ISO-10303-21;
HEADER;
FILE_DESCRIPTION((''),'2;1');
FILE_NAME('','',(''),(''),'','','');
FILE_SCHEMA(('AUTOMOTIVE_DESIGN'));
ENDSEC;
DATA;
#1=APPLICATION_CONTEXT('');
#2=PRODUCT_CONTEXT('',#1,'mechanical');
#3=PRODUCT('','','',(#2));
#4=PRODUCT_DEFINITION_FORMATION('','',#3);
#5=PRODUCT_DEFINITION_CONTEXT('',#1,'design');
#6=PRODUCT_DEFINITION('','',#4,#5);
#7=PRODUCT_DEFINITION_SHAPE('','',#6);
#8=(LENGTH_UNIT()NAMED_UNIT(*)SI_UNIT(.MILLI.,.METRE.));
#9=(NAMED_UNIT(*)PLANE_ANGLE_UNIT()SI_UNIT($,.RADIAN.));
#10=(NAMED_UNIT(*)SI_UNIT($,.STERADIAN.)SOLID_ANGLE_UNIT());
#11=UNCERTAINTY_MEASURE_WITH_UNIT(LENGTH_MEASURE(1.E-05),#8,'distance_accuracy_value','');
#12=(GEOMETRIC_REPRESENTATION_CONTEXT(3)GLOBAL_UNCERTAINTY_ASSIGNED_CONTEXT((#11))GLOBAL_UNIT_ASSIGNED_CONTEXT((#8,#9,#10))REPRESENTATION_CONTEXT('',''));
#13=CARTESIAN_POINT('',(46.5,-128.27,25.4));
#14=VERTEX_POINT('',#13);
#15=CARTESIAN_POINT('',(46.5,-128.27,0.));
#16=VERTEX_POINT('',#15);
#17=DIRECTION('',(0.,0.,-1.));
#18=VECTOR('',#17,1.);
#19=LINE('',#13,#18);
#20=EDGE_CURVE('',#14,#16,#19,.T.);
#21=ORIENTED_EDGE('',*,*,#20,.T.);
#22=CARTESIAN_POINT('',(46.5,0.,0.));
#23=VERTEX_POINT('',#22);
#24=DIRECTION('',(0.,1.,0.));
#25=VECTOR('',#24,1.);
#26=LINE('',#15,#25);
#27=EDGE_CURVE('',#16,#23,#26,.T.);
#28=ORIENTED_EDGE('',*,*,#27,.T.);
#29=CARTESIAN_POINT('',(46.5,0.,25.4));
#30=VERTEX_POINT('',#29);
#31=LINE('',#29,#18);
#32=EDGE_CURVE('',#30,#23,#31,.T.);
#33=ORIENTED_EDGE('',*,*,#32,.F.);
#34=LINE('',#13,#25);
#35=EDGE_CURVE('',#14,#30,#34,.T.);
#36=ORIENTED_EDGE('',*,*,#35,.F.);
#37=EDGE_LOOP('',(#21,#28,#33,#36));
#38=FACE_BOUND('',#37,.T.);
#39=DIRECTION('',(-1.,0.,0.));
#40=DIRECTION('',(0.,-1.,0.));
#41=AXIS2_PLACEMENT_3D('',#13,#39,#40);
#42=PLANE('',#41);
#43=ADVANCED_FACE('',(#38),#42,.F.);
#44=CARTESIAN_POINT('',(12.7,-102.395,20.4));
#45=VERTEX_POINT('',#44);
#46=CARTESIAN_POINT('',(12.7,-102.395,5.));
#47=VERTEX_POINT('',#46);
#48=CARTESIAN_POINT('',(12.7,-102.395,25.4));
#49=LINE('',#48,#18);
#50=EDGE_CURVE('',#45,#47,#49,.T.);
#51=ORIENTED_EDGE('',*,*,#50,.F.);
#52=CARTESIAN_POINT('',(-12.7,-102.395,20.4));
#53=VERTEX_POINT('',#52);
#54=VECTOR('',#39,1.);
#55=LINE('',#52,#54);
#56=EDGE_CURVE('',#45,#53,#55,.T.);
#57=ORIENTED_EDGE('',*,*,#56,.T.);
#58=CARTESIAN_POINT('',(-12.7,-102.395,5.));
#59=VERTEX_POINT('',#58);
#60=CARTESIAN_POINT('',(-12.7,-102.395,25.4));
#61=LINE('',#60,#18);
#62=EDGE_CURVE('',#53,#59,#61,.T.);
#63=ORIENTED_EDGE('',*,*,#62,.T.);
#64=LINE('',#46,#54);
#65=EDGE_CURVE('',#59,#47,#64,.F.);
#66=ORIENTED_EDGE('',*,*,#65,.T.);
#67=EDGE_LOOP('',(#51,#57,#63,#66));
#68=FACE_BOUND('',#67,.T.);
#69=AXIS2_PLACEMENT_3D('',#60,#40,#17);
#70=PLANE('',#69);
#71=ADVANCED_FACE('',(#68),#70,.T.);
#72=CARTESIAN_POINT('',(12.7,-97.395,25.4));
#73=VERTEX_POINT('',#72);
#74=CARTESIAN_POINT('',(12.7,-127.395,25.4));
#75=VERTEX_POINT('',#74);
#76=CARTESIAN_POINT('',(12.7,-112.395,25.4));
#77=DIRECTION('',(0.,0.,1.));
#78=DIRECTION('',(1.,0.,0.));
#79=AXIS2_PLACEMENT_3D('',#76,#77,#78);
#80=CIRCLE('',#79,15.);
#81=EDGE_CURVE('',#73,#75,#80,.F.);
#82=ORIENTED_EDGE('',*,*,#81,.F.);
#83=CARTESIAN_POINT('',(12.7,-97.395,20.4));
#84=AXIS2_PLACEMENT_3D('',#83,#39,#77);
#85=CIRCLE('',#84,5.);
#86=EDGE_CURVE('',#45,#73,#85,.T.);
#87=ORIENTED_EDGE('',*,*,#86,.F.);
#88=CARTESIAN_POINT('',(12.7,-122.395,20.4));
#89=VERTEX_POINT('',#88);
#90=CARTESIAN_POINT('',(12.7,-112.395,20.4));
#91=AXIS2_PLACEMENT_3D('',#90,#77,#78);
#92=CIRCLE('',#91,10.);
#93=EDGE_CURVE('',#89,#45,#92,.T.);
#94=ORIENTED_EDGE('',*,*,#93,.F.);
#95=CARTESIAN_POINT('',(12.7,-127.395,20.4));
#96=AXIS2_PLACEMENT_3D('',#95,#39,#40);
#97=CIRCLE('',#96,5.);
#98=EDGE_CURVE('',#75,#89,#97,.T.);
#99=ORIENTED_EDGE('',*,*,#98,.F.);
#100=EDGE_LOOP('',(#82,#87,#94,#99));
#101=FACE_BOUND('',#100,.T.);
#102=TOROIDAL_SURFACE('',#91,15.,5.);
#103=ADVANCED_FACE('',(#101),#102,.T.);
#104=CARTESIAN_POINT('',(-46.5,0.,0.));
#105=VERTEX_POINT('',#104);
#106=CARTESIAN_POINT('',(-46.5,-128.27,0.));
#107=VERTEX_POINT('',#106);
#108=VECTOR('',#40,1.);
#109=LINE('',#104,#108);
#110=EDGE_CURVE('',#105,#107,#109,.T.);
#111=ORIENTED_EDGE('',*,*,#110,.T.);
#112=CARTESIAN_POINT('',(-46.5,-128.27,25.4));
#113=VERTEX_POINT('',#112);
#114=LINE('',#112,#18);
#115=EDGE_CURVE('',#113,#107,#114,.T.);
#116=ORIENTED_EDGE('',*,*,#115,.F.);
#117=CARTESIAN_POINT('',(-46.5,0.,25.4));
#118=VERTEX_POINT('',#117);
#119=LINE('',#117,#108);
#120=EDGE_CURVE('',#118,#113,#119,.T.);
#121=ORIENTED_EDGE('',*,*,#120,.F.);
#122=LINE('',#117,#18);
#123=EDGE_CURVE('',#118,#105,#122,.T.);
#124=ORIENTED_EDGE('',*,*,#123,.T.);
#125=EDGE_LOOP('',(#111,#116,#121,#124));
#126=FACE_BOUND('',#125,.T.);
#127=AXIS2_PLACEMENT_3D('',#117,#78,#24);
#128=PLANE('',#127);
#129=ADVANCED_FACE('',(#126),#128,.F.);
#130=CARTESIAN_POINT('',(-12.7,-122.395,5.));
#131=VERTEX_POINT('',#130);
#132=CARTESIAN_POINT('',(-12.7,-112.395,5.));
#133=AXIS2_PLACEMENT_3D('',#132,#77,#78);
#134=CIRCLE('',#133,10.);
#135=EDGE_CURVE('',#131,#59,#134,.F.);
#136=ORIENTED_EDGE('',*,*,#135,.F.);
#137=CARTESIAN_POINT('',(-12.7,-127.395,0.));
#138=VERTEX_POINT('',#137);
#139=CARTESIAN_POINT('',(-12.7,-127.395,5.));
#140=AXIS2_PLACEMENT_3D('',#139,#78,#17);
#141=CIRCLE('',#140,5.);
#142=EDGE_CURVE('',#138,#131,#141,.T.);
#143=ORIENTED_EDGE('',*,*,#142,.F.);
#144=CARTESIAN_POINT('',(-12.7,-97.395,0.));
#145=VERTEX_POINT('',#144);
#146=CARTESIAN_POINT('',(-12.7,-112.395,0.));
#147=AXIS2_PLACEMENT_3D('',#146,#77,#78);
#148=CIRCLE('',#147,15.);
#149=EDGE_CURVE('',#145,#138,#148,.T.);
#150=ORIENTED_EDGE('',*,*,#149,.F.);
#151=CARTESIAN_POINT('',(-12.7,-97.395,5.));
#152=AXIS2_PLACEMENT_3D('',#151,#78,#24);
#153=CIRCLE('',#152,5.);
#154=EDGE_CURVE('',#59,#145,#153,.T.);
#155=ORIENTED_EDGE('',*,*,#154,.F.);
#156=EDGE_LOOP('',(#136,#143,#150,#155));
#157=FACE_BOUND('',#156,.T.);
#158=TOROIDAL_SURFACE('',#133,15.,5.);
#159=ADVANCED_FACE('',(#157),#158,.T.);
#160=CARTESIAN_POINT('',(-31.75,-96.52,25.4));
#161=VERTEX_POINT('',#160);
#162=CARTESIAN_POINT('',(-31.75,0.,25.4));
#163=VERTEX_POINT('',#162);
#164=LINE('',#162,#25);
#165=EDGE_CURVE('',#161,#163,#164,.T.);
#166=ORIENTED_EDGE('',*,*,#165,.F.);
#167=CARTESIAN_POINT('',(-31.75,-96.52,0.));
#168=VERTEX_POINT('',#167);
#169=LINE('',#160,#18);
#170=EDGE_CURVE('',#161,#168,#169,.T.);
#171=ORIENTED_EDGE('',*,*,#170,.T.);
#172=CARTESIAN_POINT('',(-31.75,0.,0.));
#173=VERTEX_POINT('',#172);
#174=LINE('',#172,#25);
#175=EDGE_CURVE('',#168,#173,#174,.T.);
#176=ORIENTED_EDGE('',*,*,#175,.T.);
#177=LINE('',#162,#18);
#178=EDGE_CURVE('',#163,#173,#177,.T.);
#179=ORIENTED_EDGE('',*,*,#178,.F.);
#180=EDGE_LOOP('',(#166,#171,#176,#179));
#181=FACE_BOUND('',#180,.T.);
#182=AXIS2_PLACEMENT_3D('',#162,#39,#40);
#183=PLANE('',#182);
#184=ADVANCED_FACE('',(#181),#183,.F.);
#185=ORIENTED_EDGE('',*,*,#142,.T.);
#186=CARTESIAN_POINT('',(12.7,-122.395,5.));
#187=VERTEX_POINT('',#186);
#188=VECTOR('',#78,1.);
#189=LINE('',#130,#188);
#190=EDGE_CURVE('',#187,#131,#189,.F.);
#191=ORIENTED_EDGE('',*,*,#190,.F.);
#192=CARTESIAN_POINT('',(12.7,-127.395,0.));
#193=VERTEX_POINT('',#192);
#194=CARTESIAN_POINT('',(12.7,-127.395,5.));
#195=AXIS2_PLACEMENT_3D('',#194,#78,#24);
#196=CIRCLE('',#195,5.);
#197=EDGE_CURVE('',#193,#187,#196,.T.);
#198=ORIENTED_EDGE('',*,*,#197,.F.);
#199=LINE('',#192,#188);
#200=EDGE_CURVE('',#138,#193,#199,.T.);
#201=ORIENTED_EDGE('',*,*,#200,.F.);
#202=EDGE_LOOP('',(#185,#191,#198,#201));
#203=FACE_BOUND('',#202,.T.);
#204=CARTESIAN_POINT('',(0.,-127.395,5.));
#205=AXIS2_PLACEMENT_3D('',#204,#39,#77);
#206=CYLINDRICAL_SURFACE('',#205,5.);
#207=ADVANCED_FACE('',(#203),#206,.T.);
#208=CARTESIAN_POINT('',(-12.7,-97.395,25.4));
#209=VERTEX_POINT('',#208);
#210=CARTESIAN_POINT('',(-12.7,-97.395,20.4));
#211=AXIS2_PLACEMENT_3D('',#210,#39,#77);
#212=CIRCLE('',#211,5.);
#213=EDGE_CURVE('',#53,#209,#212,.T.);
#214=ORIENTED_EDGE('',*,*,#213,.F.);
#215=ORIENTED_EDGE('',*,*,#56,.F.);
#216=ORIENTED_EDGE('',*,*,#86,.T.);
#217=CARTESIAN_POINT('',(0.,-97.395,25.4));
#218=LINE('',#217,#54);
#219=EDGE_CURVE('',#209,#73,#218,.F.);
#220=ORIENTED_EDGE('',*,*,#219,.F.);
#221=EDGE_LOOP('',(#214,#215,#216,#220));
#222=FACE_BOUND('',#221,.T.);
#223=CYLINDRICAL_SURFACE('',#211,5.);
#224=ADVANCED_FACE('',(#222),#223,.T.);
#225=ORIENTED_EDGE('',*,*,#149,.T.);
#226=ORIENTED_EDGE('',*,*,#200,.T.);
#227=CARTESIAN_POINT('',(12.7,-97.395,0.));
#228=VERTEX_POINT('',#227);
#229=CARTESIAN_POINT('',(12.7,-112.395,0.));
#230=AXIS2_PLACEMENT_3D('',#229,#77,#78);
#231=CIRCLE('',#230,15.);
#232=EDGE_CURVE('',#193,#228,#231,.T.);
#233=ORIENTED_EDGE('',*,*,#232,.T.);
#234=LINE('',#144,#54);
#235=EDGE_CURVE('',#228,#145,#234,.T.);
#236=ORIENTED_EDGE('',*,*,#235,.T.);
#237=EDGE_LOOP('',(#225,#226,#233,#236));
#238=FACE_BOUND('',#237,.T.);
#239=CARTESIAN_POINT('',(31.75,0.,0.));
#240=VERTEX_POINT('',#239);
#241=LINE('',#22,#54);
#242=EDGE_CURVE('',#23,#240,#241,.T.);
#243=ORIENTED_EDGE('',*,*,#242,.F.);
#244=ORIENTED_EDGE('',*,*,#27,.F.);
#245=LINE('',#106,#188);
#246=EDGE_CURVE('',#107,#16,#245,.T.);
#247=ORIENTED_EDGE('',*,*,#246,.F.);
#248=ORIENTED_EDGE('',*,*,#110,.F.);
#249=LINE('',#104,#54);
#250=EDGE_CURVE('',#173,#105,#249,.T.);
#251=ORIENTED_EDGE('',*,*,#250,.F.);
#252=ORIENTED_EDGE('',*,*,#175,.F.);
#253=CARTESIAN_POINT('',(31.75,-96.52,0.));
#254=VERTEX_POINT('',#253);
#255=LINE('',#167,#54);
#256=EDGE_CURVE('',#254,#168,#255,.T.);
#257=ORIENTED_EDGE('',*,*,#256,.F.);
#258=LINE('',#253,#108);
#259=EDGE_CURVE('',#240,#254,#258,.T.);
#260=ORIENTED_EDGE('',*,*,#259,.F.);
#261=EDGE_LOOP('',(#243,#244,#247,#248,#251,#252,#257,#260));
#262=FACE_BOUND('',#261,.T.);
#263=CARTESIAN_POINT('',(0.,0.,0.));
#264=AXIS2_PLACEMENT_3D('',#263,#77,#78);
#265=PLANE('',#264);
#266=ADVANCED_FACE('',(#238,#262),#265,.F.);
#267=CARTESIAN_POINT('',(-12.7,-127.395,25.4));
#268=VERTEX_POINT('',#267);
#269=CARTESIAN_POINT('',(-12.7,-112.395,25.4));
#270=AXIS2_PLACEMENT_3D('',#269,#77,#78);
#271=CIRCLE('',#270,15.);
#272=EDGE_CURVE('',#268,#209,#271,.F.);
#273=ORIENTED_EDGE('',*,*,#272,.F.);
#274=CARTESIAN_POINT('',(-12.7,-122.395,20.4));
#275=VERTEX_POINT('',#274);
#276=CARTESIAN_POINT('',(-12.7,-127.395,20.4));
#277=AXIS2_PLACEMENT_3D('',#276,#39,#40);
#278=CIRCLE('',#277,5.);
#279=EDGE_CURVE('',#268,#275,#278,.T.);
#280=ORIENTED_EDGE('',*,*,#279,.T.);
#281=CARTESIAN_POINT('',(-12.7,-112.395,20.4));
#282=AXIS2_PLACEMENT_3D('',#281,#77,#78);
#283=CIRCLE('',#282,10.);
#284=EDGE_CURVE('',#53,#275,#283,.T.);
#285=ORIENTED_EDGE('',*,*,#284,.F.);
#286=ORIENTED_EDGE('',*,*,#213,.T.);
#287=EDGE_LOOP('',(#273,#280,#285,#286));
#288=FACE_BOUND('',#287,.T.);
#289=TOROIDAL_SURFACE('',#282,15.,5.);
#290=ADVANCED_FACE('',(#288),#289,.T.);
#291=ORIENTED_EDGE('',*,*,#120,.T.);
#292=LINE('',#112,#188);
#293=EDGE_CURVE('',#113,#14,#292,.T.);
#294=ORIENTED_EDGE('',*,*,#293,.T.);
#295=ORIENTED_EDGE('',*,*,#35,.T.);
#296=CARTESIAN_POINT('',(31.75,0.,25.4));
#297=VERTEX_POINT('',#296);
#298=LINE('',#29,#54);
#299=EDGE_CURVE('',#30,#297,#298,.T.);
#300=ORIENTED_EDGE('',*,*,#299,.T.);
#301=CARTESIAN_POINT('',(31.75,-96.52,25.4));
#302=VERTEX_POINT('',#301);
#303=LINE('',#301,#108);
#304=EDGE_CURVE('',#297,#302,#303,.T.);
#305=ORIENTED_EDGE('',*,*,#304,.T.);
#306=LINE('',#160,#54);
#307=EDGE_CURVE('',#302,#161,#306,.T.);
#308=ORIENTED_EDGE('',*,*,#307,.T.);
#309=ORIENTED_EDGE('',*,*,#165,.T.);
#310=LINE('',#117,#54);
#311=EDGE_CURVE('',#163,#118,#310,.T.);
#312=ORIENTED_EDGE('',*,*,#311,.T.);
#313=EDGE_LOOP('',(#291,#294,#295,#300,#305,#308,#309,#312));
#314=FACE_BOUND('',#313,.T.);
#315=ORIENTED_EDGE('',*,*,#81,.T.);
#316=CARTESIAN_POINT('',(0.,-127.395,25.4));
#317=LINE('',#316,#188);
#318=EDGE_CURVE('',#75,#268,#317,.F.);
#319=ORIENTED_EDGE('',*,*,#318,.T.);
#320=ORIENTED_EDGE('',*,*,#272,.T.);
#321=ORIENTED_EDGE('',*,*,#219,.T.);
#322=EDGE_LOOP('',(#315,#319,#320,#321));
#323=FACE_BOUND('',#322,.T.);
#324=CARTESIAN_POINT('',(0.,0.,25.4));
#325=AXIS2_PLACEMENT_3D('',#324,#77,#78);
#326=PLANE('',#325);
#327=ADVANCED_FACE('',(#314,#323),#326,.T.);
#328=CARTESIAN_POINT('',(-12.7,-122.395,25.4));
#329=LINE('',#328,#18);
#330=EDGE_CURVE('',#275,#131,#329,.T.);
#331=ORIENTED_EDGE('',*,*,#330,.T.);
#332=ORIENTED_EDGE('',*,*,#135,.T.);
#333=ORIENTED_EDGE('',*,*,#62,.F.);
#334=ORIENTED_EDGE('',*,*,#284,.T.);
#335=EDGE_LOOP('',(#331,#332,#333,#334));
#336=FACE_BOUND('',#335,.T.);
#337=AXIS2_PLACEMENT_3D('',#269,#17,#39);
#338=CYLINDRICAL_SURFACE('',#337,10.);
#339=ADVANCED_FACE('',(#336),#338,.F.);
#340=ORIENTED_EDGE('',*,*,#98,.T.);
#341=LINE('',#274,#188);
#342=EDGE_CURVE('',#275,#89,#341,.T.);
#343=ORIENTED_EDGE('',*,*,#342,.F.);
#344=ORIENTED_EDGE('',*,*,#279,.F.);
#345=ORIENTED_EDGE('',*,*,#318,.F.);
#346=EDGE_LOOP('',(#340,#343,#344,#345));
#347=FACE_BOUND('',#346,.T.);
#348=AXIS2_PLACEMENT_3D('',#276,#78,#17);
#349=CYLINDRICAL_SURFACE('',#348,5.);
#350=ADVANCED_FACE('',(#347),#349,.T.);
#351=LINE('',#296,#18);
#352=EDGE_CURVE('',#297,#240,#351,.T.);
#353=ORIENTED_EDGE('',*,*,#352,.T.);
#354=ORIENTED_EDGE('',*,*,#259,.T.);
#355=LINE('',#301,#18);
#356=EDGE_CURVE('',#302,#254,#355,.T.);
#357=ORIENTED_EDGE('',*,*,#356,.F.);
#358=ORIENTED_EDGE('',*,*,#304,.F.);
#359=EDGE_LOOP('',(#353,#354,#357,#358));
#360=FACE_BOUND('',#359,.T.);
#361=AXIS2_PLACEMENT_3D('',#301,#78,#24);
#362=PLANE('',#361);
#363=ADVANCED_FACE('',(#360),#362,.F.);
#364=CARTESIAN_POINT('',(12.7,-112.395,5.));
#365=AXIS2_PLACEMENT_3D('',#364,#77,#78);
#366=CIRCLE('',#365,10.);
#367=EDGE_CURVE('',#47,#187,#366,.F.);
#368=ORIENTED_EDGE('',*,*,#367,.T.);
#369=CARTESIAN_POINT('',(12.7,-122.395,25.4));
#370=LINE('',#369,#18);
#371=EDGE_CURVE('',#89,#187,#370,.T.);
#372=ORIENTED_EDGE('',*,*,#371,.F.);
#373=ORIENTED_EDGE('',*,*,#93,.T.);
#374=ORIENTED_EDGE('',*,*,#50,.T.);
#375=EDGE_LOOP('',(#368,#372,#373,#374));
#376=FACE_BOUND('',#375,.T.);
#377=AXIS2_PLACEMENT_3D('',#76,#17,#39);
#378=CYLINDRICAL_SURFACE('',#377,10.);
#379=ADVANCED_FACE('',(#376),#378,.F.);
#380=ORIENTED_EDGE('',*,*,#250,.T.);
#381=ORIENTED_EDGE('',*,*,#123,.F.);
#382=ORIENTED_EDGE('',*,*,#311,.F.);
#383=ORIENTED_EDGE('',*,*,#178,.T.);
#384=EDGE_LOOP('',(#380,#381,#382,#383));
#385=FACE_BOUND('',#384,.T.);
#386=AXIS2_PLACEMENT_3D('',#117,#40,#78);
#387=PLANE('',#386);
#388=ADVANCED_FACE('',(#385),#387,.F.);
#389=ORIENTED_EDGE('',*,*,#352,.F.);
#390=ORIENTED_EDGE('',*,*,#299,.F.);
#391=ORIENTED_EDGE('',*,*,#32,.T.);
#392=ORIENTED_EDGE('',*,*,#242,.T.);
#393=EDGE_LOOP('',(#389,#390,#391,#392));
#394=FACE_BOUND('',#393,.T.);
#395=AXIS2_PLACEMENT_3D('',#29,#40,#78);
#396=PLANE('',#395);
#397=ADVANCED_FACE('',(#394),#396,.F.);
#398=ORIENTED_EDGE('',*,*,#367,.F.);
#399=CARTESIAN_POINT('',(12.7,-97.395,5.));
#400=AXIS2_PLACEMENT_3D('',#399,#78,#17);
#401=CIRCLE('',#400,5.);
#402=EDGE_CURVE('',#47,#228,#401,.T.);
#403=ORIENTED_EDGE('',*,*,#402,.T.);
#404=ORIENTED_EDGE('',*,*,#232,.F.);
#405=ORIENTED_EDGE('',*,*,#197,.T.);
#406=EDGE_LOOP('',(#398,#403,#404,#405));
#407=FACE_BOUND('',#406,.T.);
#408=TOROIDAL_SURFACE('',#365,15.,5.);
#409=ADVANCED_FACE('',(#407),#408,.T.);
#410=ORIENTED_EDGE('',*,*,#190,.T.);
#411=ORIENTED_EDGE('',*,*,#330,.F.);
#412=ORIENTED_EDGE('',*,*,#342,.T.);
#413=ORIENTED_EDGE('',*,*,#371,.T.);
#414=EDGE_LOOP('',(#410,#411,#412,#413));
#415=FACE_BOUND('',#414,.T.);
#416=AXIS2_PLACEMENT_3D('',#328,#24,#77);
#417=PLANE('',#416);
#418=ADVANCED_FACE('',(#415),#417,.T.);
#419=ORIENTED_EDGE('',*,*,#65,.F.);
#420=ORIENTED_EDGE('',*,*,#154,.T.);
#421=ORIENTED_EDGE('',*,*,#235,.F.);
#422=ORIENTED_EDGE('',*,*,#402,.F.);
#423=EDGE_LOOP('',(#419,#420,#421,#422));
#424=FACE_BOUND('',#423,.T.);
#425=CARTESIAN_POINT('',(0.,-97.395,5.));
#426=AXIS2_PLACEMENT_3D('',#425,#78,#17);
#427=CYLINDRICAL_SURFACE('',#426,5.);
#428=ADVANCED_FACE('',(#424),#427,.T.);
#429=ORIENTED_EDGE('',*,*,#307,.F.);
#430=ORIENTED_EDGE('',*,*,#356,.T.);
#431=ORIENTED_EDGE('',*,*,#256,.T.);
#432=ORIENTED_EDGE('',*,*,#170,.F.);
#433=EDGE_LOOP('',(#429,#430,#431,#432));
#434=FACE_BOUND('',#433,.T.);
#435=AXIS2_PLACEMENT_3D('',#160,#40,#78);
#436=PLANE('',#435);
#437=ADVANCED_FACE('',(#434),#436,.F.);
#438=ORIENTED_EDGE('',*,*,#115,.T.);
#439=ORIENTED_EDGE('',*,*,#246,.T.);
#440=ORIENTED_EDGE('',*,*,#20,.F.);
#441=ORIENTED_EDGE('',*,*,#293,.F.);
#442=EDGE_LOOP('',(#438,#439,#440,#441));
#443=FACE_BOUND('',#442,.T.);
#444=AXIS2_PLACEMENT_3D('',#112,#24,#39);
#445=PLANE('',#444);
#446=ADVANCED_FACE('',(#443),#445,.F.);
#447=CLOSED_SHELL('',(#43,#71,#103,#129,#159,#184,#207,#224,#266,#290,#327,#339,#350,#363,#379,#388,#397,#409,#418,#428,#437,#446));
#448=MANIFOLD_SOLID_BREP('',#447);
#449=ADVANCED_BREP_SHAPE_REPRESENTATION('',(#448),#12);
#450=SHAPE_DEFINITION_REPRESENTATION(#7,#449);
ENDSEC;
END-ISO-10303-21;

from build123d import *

# Parameters (mm, degrees)
BOSS_EXTRUDE1_DEPTH = 25.4
FILLET1_R           = 5


with BuildPart() as part:
    # Sketch1 → Boss-Extrude1 (new body)
    with BuildSketch(Plane.XY):
        Polygon((-46.5, 0), (-31.75, 0), (-31.75, -96.52), (31.75, -96.52), (31.75, 0), (46.5, 0), (46.5, -128.27), (-46.5, -128.27), align=None)
        with BuildLine():
            Line((-12.7, -102.395), (12.7, -102.395))
            ThreePointArc((12.7, -102.395), (22.7, -112.395), (12.7, -122.395))
            Line((12.7, -122.395), (-12.7, -122.395))
            ThreePointArc((-12.7, -122.395), (-22.7, -112.395), (-12.7, -102.395))
        make_face(mode=Mode.SUBTRACT)
    extrude(amount=BOSS_EXTRUDE1_DEPTH)

    # Fillet1
    fillet1_edges = [part.edges().sort_by_distance(p)[0] for p in [
        (-22.7, -112.395, 0),
        (0, -122.395, 0),
        (22.7, -112.395, 0),
        (0, -102.395, 0),
        (-22.7, -112.395, 25.4),
        (0, -122.395, 25.4),
        (22.7, -112.395, 25.4),
        (0, -102.395, 25.4),
    ]]
    fillet(fillet1_edges, radius=FILLET1_R)


solid = part.part
